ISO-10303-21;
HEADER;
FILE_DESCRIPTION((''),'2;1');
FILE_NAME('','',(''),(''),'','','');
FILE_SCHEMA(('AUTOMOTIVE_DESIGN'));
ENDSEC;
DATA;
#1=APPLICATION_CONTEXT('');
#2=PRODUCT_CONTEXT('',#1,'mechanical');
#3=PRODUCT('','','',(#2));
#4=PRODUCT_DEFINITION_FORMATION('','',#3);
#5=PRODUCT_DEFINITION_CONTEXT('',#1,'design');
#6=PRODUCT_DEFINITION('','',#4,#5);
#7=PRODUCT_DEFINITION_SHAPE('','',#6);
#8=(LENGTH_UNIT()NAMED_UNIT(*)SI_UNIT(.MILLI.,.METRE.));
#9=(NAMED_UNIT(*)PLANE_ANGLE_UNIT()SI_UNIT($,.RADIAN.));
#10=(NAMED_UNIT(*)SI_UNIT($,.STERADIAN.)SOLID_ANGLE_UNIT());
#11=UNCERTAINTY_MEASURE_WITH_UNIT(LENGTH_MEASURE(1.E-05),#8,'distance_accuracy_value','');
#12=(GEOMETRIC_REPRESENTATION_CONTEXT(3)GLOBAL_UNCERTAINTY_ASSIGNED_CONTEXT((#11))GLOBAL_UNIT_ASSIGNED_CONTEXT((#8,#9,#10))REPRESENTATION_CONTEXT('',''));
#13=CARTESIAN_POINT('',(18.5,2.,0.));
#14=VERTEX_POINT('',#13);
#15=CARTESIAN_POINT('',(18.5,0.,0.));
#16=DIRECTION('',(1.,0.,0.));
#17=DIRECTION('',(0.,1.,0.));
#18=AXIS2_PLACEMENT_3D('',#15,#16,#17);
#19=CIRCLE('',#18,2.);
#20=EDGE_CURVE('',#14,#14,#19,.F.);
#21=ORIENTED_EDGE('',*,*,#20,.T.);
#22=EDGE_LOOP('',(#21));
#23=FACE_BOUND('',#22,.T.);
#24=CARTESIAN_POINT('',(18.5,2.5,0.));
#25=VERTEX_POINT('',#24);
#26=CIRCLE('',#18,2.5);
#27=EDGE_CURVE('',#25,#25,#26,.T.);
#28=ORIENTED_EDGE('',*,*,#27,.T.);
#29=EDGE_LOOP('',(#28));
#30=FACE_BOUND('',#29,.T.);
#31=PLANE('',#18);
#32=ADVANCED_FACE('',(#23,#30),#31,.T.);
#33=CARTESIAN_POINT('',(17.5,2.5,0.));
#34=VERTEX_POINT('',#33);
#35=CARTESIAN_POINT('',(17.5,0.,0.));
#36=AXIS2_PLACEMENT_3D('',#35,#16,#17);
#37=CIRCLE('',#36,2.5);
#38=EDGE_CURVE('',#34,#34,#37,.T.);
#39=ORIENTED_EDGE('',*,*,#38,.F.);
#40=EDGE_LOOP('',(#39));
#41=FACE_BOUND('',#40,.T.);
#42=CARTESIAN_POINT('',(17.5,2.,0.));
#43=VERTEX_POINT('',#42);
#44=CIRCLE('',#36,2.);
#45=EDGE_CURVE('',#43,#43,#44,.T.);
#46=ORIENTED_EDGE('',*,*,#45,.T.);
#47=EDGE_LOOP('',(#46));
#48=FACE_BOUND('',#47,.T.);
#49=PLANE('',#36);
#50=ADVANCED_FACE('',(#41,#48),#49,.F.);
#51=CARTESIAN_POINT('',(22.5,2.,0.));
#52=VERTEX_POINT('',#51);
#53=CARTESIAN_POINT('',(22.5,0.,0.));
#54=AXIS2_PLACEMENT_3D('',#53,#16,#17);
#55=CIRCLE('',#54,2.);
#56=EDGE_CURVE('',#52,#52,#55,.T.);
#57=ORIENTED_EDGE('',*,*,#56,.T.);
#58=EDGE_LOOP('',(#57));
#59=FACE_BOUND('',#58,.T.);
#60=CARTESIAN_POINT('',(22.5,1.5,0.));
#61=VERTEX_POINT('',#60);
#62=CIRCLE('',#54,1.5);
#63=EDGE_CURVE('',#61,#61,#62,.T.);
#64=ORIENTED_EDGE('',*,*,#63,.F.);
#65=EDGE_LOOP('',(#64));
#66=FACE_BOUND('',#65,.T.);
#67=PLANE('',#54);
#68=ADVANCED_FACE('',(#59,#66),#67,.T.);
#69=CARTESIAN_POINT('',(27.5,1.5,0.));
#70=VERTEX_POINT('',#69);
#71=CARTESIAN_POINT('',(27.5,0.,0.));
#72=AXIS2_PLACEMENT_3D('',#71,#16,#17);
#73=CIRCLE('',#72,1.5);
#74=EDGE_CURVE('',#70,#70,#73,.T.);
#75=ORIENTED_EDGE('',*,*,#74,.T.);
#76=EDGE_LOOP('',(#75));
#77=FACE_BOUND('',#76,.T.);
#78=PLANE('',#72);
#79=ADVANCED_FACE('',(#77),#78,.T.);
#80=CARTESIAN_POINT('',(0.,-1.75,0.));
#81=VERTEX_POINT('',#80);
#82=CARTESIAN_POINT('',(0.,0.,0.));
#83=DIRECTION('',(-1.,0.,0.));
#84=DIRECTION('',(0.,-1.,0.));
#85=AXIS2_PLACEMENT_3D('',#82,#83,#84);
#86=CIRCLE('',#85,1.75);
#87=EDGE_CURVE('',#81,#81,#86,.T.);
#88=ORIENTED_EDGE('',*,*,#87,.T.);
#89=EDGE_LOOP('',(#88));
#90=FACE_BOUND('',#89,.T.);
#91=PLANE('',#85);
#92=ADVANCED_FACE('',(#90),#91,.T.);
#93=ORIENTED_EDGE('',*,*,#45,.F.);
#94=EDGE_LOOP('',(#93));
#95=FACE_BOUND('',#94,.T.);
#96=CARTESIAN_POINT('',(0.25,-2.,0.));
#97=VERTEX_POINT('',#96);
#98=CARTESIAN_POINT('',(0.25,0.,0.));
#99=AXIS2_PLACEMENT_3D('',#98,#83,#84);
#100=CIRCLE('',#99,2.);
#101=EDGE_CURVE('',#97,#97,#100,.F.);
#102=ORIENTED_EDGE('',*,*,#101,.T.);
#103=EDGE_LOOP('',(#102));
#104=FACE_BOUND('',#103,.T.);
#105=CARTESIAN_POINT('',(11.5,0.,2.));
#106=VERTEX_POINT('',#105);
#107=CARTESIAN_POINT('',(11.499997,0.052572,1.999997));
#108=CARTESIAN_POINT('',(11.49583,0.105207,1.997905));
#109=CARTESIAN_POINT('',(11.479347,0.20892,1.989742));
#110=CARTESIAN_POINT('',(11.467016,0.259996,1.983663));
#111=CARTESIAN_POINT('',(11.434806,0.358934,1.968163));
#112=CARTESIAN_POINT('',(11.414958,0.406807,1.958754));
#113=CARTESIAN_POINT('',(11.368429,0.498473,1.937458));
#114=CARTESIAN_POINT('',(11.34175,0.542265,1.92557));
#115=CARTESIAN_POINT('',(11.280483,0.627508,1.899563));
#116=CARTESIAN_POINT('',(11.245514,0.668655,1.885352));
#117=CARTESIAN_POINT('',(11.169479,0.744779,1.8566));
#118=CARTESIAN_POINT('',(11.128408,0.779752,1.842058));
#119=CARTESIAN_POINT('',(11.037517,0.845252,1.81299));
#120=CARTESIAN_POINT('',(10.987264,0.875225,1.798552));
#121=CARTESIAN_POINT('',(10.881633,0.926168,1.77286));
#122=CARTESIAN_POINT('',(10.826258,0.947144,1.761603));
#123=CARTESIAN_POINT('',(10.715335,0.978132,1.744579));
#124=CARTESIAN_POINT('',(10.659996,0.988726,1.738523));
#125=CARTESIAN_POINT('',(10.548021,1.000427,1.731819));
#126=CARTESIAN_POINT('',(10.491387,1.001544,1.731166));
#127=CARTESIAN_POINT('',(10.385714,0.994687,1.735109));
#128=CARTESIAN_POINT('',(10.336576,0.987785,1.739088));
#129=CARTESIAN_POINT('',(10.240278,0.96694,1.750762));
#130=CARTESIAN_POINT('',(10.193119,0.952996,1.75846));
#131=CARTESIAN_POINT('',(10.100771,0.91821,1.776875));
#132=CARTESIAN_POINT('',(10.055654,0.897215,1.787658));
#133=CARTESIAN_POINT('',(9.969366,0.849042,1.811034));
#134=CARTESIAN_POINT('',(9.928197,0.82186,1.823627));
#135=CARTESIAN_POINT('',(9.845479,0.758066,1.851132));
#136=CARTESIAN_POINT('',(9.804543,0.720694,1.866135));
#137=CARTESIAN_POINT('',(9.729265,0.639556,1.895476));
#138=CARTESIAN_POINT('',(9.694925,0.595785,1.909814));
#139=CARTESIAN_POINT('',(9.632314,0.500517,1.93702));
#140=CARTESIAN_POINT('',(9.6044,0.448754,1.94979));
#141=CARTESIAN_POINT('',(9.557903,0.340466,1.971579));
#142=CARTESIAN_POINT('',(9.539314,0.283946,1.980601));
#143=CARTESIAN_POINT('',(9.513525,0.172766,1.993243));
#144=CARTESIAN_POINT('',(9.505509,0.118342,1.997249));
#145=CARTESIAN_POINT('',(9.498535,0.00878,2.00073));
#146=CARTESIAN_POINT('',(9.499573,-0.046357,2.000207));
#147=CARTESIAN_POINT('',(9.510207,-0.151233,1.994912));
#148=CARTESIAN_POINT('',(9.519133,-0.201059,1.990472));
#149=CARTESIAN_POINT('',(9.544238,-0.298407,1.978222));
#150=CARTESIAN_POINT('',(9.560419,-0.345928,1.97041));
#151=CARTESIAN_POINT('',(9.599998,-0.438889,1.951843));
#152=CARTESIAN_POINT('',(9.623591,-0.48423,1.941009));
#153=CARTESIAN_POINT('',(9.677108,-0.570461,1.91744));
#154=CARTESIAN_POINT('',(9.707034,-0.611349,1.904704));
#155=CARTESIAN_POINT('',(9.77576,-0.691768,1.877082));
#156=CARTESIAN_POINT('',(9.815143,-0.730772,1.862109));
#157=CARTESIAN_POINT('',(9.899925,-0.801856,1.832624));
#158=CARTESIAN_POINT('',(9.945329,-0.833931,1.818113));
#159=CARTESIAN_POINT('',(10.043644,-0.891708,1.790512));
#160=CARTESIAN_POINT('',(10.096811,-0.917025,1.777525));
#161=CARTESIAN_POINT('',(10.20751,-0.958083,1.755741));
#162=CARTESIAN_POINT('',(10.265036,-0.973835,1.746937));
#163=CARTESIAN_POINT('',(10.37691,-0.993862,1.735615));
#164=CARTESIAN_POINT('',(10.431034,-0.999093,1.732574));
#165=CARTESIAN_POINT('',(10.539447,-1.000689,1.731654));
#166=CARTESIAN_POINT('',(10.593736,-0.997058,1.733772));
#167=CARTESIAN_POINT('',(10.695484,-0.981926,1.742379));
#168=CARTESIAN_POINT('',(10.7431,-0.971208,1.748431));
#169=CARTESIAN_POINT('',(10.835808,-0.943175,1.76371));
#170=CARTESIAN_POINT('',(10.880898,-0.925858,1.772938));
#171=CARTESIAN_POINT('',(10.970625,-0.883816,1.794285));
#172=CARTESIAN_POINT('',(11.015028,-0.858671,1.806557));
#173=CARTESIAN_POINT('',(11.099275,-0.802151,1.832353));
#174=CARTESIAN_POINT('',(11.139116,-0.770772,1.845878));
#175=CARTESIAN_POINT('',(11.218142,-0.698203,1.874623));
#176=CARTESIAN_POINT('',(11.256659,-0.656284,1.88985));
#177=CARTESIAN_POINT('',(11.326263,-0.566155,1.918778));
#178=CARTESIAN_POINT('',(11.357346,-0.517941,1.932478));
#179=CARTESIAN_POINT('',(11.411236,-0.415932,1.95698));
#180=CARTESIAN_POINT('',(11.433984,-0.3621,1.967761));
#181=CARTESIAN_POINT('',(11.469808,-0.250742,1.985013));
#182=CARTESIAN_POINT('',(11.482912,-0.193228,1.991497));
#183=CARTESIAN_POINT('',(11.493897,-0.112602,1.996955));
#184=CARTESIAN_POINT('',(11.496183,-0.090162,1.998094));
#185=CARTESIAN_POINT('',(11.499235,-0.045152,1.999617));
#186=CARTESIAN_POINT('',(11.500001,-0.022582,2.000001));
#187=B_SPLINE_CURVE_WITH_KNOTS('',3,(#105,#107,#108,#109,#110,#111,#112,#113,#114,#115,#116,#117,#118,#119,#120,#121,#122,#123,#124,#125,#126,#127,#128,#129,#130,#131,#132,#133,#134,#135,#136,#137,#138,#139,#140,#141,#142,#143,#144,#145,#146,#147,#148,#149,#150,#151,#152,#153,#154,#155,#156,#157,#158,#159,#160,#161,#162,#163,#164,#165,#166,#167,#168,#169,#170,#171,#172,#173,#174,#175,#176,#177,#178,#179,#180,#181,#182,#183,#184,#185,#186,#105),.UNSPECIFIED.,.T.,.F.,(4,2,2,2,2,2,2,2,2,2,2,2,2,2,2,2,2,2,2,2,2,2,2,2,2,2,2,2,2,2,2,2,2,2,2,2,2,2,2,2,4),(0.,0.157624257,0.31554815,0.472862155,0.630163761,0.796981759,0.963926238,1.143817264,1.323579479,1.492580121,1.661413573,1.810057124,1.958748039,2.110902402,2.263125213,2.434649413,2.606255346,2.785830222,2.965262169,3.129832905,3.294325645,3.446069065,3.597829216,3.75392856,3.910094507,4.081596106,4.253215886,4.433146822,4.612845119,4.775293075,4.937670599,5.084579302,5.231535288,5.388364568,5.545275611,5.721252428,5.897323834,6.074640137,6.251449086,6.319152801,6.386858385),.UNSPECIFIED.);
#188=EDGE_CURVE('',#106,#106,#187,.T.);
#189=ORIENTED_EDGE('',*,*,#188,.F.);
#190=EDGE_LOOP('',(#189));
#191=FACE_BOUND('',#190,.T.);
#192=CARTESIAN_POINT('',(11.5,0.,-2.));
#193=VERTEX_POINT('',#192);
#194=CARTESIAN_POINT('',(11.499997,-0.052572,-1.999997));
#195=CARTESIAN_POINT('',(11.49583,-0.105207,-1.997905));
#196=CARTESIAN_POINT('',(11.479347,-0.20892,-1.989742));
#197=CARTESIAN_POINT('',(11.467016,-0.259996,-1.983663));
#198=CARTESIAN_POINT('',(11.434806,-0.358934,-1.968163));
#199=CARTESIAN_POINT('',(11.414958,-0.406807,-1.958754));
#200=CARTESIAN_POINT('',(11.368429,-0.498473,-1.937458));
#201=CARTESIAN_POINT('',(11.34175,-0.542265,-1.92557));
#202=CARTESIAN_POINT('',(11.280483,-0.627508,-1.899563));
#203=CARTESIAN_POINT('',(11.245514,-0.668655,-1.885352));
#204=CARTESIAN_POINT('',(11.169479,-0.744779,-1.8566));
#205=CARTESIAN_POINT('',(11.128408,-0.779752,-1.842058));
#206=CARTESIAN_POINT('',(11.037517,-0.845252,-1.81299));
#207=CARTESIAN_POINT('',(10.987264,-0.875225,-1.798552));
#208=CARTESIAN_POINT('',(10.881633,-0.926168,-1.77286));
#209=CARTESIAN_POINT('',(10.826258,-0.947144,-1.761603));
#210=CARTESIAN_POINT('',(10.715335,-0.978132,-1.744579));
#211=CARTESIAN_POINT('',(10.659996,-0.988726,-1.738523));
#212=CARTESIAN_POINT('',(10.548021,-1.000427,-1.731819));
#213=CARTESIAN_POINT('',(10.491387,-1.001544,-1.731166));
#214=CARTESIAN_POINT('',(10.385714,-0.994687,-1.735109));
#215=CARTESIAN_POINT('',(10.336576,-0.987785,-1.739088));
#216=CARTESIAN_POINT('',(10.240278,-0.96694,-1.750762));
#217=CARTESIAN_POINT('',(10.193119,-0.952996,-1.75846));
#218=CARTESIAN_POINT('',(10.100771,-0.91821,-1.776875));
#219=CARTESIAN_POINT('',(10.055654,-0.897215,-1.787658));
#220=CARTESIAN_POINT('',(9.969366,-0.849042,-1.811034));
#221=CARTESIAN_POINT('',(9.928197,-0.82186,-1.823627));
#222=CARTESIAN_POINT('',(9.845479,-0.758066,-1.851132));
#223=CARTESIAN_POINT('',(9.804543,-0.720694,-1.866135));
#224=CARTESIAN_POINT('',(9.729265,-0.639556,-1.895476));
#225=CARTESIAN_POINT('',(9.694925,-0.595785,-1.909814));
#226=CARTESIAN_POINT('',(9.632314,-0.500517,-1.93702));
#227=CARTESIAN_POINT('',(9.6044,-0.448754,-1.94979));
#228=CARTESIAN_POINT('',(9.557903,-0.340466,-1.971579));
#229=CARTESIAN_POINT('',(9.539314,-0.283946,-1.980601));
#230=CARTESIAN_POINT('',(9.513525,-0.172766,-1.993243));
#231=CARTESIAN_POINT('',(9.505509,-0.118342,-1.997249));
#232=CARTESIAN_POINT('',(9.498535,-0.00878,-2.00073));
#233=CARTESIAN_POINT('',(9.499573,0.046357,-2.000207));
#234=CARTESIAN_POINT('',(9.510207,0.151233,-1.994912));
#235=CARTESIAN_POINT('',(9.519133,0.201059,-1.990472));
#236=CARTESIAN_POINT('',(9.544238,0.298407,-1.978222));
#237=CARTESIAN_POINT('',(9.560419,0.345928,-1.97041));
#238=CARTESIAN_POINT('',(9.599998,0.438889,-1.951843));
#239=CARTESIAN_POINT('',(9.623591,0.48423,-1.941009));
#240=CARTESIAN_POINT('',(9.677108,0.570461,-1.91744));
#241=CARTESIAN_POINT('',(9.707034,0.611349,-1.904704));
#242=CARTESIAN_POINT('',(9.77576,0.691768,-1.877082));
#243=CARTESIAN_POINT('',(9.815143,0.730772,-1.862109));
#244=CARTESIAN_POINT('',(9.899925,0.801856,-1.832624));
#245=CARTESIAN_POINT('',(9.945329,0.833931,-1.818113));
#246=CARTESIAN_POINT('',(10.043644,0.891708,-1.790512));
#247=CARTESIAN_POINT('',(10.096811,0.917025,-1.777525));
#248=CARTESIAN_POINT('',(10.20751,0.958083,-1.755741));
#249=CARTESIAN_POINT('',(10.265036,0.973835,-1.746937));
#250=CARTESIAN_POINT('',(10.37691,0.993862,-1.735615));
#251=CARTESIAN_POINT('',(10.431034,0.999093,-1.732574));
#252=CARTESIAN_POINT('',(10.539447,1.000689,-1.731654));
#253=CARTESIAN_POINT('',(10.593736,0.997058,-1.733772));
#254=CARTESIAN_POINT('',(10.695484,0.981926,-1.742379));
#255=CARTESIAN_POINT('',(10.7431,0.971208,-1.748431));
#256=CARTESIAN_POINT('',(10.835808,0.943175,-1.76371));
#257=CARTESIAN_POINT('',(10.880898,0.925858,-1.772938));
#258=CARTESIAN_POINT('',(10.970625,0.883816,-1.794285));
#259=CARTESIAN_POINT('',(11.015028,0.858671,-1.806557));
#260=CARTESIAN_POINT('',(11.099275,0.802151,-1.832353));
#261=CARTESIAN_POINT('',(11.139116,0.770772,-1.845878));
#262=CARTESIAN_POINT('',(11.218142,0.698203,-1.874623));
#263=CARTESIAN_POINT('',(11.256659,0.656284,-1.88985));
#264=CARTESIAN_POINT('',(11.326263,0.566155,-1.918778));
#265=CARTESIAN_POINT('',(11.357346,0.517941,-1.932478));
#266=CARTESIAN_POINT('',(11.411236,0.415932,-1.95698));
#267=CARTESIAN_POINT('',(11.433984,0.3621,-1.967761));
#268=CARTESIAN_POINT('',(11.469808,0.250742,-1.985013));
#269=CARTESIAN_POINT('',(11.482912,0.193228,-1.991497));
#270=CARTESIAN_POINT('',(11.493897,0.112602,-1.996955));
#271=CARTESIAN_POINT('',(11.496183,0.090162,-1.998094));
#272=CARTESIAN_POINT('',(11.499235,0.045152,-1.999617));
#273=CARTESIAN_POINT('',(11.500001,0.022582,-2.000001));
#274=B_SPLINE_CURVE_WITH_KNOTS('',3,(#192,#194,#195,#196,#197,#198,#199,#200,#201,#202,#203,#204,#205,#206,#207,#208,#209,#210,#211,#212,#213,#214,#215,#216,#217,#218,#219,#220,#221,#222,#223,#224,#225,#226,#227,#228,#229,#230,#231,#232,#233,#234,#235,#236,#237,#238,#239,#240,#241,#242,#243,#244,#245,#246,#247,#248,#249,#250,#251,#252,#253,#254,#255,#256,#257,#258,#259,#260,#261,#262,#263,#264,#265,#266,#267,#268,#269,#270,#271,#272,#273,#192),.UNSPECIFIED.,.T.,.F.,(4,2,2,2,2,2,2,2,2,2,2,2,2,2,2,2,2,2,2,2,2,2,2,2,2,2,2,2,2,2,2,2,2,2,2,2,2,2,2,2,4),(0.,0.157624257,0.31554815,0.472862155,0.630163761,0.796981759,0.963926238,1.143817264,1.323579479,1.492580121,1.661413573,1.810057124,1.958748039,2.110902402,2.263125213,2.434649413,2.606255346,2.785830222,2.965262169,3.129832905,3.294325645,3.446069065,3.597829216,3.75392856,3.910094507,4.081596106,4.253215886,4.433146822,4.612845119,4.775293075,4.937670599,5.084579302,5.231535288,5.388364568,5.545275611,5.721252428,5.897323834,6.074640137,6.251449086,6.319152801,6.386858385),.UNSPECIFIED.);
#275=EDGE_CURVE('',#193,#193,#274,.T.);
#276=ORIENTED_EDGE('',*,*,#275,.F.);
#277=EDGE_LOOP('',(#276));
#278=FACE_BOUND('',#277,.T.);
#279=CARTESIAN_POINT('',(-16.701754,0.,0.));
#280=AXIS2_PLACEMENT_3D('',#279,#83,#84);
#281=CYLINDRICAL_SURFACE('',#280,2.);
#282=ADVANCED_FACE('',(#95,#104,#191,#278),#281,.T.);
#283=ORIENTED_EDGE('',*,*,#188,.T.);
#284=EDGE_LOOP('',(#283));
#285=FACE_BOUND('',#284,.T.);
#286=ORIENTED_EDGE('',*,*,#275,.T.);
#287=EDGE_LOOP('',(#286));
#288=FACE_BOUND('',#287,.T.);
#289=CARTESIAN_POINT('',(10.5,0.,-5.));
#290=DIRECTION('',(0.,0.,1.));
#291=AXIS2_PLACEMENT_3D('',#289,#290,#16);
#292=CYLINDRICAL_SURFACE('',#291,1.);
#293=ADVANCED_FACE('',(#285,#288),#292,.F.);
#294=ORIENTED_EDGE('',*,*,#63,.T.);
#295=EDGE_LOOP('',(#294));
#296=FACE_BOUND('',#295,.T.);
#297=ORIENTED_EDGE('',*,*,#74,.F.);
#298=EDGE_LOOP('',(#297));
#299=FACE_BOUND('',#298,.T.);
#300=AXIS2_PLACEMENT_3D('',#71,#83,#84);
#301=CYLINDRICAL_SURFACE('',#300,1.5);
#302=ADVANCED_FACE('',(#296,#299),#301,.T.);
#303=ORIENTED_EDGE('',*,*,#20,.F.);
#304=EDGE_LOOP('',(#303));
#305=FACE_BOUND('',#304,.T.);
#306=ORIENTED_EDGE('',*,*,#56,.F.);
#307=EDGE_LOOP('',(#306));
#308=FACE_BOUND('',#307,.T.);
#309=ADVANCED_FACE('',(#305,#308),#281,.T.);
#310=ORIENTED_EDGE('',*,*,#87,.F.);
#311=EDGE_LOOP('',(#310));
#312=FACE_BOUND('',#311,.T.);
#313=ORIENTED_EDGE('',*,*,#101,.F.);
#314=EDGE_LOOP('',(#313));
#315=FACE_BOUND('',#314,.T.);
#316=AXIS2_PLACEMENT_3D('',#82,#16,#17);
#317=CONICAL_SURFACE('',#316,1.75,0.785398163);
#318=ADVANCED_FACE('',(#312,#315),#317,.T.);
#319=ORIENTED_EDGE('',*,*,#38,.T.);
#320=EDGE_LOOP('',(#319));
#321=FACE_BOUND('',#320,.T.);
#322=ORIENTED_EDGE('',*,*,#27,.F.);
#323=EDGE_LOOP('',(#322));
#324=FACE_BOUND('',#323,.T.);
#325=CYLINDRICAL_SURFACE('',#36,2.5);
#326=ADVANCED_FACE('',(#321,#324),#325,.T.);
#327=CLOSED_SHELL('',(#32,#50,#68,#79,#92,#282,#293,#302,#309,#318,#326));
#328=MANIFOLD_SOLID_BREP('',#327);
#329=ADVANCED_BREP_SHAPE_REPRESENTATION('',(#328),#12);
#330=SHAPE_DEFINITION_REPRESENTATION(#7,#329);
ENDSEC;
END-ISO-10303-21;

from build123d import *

# Parameters (mm, degrees)
CUT_EXTRUDE_START   = -3.5
CUT_EXTRUDE_1_DEPTH = 10
SKETCH_3_W          = 4
SKETCH_3_H          = 19.670556204
CUT_EXTRUDE_2_DEPTH = 10
CUT_EXTRUDE_START_2 = -29
SKETCH_4_R          = 4
SKETCH_4_R_2        = 2
CUT_EXTRUDE_3_DEPTH = 29
SKETCH_5_R          = 1
CUT_EXTRUDE_4_DEPTH = 5
SKETCH_6_R          = 2
EXTRUDE_1_DEPTH     = 1
EXTRUDE_START       = -4.5
SKETCH_7_R          = 2.5
SKETCH_7_R_2        = 2
EXTRUDE_2_DEPTH     = 1
CHAMFER_2_SIZE      = 0.25
SKETCH_8_R          = 2
EXTRUDE_3_DEPTH     = 0.5
SKETCH_11_R         = 1.5
EXTRUDE_4_DEPTH     = 5


with BuildPart() as part:
    # 草图1 → 旋转2 (revolve)
    with BuildSketch(Plane.XY, mode=Mode.PRIVATE) as revolve_2_sk:
        Polygon((0, 2), (0, 0), (17, 0), (21, 0), (21, 2), (17, 2), (17, 4), (4, 4), (4, 2), align=None)
    revolve(revolve_2_sk.sketch.rotate(Axis((-16.701754386, 0, 0), (1, 0, 0)), 180), axis=Axis((-16.701754386, 0, 0), (1, 0, 0)))

    # 草图2 → 切除-拉伸1 (cut)
    with BuildSketch(Plane.XY.offset(CUT_EXTRUDE_START)):
        Polygon((12.5, -5.827233832), (12.5, 4), (10.5, 4), (8.5, 4), (8.5, -5.827233832), align=None)
    extrude(amount=-CUT_EXTRUDE_1_DEPTH, mode=Mode.SUBTRACT)

    # 草图3 → 切除-拉伸2 (cut)
    with BuildSketch(Plane(origin=(0, 0, 0), x_dir=(1, 0, 0), z_dir=(0, 1, 0)).offset(CUT_EXTRUDE_START)):
        with Locations((10.5, 3.5)):
            Rectangle(SKETCH_3_W, SKETCH_3_H)
    extrude(amount=-CUT_EXTRUDE_2_DEPTH, mode=Mode.SUBTRACT)

    # 草图4 → 切除-拉伸3 (cut)
    with BuildSketch(Plane(origin=(21, 0, 0), x_dir=(0, 0, -1), z_dir=(1, 0, 0)).offset(CUT_EXTRUDE_START_2)):
        Circle(SKETCH_4_R)
        with Locations(Location((0, 0, 0), (0, 0, 270))):
            Circle(SKETCH_4_R_2, mode=Mode.SUBTRACT)
    extrude(amount=CUT_EXTRUDE_3_DEPTH, mode=Mode.SUBTRACT)

    # 草图5 → 切除-拉伸4 (cut, symmetric)
    with BuildSketch(Plane.XY):
        with Locations((10.5, 0)):
            Circle(SKETCH_5_R)
    extrude(amount=CUT_EXTRUDE_4_DEPTH, both=True, mode=Mode.SUBTRACT)

    # 草图6 → 凸台-拉伸1 (add)
    with BuildSketch(Plane(origin=(21, 0, 0), x_dir=(0, 0, -1), z_dir=(1, 0, 0))):
        with Locations(Location((0, 0, 0), (0, 0, 270))):
            Circle(SKETCH_6_R)
    extrude(amount=EXTRUDE_1_DEPTH)

    # 草图7 → 凸台-拉伸2 (add)
    with BuildSketch(Plane(origin=(22, 0, 0), x_dir=(0, 0, -1), z_dir=(1, 0, 0)).offset(EXTRUDE_START)):
        with Locations(Location((0, 0, 0), (0, 0, 90))):
            Circle(SKETCH_7_R)
        with Locations(Location((0, 0, 0), (0, 0, 270))):
            Circle(SKETCH_7_R_2, mode=Mode.SUBTRACT)
    extrude(amount=EXTRUDE_2_DEPTH)

    # 倒角2
    chamfer_2_edges = [part.edges().sort_by_distance(p)[0] for p in [
        (0, 2, 0),
    ]]
    chamfer(chamfer_2_edges, length=CHAMFER_2_SIZE)

    # 草图8 → 凸台-拉伸3 (add)
    with BuildSketch(Plane(origin=(22, 0, 0), x_dir=(0, 0, -1), z_dir=(1, 0, 0))):
        with Locations(Location((0, 0, 0), (0, 0, 270))):
            Circle(SKETCH_8_R)
    extrude(amount=EXTRUDE_3_DEPTH)

    # 草图11 → 凸台-拉伸4 (add)
    with BuildSketch(Plane(origin=(22.5, 0, 0), x_dir=(0, 0, -1), z_dir=(1, 0, 0))):
        with Locations(Location((0, 0, 0), (0, 0, 90))):
            Circle(SKETCH_11_R)
    extrude(amount=EXTRUDE_4_DEPTH)


solid = part.part
